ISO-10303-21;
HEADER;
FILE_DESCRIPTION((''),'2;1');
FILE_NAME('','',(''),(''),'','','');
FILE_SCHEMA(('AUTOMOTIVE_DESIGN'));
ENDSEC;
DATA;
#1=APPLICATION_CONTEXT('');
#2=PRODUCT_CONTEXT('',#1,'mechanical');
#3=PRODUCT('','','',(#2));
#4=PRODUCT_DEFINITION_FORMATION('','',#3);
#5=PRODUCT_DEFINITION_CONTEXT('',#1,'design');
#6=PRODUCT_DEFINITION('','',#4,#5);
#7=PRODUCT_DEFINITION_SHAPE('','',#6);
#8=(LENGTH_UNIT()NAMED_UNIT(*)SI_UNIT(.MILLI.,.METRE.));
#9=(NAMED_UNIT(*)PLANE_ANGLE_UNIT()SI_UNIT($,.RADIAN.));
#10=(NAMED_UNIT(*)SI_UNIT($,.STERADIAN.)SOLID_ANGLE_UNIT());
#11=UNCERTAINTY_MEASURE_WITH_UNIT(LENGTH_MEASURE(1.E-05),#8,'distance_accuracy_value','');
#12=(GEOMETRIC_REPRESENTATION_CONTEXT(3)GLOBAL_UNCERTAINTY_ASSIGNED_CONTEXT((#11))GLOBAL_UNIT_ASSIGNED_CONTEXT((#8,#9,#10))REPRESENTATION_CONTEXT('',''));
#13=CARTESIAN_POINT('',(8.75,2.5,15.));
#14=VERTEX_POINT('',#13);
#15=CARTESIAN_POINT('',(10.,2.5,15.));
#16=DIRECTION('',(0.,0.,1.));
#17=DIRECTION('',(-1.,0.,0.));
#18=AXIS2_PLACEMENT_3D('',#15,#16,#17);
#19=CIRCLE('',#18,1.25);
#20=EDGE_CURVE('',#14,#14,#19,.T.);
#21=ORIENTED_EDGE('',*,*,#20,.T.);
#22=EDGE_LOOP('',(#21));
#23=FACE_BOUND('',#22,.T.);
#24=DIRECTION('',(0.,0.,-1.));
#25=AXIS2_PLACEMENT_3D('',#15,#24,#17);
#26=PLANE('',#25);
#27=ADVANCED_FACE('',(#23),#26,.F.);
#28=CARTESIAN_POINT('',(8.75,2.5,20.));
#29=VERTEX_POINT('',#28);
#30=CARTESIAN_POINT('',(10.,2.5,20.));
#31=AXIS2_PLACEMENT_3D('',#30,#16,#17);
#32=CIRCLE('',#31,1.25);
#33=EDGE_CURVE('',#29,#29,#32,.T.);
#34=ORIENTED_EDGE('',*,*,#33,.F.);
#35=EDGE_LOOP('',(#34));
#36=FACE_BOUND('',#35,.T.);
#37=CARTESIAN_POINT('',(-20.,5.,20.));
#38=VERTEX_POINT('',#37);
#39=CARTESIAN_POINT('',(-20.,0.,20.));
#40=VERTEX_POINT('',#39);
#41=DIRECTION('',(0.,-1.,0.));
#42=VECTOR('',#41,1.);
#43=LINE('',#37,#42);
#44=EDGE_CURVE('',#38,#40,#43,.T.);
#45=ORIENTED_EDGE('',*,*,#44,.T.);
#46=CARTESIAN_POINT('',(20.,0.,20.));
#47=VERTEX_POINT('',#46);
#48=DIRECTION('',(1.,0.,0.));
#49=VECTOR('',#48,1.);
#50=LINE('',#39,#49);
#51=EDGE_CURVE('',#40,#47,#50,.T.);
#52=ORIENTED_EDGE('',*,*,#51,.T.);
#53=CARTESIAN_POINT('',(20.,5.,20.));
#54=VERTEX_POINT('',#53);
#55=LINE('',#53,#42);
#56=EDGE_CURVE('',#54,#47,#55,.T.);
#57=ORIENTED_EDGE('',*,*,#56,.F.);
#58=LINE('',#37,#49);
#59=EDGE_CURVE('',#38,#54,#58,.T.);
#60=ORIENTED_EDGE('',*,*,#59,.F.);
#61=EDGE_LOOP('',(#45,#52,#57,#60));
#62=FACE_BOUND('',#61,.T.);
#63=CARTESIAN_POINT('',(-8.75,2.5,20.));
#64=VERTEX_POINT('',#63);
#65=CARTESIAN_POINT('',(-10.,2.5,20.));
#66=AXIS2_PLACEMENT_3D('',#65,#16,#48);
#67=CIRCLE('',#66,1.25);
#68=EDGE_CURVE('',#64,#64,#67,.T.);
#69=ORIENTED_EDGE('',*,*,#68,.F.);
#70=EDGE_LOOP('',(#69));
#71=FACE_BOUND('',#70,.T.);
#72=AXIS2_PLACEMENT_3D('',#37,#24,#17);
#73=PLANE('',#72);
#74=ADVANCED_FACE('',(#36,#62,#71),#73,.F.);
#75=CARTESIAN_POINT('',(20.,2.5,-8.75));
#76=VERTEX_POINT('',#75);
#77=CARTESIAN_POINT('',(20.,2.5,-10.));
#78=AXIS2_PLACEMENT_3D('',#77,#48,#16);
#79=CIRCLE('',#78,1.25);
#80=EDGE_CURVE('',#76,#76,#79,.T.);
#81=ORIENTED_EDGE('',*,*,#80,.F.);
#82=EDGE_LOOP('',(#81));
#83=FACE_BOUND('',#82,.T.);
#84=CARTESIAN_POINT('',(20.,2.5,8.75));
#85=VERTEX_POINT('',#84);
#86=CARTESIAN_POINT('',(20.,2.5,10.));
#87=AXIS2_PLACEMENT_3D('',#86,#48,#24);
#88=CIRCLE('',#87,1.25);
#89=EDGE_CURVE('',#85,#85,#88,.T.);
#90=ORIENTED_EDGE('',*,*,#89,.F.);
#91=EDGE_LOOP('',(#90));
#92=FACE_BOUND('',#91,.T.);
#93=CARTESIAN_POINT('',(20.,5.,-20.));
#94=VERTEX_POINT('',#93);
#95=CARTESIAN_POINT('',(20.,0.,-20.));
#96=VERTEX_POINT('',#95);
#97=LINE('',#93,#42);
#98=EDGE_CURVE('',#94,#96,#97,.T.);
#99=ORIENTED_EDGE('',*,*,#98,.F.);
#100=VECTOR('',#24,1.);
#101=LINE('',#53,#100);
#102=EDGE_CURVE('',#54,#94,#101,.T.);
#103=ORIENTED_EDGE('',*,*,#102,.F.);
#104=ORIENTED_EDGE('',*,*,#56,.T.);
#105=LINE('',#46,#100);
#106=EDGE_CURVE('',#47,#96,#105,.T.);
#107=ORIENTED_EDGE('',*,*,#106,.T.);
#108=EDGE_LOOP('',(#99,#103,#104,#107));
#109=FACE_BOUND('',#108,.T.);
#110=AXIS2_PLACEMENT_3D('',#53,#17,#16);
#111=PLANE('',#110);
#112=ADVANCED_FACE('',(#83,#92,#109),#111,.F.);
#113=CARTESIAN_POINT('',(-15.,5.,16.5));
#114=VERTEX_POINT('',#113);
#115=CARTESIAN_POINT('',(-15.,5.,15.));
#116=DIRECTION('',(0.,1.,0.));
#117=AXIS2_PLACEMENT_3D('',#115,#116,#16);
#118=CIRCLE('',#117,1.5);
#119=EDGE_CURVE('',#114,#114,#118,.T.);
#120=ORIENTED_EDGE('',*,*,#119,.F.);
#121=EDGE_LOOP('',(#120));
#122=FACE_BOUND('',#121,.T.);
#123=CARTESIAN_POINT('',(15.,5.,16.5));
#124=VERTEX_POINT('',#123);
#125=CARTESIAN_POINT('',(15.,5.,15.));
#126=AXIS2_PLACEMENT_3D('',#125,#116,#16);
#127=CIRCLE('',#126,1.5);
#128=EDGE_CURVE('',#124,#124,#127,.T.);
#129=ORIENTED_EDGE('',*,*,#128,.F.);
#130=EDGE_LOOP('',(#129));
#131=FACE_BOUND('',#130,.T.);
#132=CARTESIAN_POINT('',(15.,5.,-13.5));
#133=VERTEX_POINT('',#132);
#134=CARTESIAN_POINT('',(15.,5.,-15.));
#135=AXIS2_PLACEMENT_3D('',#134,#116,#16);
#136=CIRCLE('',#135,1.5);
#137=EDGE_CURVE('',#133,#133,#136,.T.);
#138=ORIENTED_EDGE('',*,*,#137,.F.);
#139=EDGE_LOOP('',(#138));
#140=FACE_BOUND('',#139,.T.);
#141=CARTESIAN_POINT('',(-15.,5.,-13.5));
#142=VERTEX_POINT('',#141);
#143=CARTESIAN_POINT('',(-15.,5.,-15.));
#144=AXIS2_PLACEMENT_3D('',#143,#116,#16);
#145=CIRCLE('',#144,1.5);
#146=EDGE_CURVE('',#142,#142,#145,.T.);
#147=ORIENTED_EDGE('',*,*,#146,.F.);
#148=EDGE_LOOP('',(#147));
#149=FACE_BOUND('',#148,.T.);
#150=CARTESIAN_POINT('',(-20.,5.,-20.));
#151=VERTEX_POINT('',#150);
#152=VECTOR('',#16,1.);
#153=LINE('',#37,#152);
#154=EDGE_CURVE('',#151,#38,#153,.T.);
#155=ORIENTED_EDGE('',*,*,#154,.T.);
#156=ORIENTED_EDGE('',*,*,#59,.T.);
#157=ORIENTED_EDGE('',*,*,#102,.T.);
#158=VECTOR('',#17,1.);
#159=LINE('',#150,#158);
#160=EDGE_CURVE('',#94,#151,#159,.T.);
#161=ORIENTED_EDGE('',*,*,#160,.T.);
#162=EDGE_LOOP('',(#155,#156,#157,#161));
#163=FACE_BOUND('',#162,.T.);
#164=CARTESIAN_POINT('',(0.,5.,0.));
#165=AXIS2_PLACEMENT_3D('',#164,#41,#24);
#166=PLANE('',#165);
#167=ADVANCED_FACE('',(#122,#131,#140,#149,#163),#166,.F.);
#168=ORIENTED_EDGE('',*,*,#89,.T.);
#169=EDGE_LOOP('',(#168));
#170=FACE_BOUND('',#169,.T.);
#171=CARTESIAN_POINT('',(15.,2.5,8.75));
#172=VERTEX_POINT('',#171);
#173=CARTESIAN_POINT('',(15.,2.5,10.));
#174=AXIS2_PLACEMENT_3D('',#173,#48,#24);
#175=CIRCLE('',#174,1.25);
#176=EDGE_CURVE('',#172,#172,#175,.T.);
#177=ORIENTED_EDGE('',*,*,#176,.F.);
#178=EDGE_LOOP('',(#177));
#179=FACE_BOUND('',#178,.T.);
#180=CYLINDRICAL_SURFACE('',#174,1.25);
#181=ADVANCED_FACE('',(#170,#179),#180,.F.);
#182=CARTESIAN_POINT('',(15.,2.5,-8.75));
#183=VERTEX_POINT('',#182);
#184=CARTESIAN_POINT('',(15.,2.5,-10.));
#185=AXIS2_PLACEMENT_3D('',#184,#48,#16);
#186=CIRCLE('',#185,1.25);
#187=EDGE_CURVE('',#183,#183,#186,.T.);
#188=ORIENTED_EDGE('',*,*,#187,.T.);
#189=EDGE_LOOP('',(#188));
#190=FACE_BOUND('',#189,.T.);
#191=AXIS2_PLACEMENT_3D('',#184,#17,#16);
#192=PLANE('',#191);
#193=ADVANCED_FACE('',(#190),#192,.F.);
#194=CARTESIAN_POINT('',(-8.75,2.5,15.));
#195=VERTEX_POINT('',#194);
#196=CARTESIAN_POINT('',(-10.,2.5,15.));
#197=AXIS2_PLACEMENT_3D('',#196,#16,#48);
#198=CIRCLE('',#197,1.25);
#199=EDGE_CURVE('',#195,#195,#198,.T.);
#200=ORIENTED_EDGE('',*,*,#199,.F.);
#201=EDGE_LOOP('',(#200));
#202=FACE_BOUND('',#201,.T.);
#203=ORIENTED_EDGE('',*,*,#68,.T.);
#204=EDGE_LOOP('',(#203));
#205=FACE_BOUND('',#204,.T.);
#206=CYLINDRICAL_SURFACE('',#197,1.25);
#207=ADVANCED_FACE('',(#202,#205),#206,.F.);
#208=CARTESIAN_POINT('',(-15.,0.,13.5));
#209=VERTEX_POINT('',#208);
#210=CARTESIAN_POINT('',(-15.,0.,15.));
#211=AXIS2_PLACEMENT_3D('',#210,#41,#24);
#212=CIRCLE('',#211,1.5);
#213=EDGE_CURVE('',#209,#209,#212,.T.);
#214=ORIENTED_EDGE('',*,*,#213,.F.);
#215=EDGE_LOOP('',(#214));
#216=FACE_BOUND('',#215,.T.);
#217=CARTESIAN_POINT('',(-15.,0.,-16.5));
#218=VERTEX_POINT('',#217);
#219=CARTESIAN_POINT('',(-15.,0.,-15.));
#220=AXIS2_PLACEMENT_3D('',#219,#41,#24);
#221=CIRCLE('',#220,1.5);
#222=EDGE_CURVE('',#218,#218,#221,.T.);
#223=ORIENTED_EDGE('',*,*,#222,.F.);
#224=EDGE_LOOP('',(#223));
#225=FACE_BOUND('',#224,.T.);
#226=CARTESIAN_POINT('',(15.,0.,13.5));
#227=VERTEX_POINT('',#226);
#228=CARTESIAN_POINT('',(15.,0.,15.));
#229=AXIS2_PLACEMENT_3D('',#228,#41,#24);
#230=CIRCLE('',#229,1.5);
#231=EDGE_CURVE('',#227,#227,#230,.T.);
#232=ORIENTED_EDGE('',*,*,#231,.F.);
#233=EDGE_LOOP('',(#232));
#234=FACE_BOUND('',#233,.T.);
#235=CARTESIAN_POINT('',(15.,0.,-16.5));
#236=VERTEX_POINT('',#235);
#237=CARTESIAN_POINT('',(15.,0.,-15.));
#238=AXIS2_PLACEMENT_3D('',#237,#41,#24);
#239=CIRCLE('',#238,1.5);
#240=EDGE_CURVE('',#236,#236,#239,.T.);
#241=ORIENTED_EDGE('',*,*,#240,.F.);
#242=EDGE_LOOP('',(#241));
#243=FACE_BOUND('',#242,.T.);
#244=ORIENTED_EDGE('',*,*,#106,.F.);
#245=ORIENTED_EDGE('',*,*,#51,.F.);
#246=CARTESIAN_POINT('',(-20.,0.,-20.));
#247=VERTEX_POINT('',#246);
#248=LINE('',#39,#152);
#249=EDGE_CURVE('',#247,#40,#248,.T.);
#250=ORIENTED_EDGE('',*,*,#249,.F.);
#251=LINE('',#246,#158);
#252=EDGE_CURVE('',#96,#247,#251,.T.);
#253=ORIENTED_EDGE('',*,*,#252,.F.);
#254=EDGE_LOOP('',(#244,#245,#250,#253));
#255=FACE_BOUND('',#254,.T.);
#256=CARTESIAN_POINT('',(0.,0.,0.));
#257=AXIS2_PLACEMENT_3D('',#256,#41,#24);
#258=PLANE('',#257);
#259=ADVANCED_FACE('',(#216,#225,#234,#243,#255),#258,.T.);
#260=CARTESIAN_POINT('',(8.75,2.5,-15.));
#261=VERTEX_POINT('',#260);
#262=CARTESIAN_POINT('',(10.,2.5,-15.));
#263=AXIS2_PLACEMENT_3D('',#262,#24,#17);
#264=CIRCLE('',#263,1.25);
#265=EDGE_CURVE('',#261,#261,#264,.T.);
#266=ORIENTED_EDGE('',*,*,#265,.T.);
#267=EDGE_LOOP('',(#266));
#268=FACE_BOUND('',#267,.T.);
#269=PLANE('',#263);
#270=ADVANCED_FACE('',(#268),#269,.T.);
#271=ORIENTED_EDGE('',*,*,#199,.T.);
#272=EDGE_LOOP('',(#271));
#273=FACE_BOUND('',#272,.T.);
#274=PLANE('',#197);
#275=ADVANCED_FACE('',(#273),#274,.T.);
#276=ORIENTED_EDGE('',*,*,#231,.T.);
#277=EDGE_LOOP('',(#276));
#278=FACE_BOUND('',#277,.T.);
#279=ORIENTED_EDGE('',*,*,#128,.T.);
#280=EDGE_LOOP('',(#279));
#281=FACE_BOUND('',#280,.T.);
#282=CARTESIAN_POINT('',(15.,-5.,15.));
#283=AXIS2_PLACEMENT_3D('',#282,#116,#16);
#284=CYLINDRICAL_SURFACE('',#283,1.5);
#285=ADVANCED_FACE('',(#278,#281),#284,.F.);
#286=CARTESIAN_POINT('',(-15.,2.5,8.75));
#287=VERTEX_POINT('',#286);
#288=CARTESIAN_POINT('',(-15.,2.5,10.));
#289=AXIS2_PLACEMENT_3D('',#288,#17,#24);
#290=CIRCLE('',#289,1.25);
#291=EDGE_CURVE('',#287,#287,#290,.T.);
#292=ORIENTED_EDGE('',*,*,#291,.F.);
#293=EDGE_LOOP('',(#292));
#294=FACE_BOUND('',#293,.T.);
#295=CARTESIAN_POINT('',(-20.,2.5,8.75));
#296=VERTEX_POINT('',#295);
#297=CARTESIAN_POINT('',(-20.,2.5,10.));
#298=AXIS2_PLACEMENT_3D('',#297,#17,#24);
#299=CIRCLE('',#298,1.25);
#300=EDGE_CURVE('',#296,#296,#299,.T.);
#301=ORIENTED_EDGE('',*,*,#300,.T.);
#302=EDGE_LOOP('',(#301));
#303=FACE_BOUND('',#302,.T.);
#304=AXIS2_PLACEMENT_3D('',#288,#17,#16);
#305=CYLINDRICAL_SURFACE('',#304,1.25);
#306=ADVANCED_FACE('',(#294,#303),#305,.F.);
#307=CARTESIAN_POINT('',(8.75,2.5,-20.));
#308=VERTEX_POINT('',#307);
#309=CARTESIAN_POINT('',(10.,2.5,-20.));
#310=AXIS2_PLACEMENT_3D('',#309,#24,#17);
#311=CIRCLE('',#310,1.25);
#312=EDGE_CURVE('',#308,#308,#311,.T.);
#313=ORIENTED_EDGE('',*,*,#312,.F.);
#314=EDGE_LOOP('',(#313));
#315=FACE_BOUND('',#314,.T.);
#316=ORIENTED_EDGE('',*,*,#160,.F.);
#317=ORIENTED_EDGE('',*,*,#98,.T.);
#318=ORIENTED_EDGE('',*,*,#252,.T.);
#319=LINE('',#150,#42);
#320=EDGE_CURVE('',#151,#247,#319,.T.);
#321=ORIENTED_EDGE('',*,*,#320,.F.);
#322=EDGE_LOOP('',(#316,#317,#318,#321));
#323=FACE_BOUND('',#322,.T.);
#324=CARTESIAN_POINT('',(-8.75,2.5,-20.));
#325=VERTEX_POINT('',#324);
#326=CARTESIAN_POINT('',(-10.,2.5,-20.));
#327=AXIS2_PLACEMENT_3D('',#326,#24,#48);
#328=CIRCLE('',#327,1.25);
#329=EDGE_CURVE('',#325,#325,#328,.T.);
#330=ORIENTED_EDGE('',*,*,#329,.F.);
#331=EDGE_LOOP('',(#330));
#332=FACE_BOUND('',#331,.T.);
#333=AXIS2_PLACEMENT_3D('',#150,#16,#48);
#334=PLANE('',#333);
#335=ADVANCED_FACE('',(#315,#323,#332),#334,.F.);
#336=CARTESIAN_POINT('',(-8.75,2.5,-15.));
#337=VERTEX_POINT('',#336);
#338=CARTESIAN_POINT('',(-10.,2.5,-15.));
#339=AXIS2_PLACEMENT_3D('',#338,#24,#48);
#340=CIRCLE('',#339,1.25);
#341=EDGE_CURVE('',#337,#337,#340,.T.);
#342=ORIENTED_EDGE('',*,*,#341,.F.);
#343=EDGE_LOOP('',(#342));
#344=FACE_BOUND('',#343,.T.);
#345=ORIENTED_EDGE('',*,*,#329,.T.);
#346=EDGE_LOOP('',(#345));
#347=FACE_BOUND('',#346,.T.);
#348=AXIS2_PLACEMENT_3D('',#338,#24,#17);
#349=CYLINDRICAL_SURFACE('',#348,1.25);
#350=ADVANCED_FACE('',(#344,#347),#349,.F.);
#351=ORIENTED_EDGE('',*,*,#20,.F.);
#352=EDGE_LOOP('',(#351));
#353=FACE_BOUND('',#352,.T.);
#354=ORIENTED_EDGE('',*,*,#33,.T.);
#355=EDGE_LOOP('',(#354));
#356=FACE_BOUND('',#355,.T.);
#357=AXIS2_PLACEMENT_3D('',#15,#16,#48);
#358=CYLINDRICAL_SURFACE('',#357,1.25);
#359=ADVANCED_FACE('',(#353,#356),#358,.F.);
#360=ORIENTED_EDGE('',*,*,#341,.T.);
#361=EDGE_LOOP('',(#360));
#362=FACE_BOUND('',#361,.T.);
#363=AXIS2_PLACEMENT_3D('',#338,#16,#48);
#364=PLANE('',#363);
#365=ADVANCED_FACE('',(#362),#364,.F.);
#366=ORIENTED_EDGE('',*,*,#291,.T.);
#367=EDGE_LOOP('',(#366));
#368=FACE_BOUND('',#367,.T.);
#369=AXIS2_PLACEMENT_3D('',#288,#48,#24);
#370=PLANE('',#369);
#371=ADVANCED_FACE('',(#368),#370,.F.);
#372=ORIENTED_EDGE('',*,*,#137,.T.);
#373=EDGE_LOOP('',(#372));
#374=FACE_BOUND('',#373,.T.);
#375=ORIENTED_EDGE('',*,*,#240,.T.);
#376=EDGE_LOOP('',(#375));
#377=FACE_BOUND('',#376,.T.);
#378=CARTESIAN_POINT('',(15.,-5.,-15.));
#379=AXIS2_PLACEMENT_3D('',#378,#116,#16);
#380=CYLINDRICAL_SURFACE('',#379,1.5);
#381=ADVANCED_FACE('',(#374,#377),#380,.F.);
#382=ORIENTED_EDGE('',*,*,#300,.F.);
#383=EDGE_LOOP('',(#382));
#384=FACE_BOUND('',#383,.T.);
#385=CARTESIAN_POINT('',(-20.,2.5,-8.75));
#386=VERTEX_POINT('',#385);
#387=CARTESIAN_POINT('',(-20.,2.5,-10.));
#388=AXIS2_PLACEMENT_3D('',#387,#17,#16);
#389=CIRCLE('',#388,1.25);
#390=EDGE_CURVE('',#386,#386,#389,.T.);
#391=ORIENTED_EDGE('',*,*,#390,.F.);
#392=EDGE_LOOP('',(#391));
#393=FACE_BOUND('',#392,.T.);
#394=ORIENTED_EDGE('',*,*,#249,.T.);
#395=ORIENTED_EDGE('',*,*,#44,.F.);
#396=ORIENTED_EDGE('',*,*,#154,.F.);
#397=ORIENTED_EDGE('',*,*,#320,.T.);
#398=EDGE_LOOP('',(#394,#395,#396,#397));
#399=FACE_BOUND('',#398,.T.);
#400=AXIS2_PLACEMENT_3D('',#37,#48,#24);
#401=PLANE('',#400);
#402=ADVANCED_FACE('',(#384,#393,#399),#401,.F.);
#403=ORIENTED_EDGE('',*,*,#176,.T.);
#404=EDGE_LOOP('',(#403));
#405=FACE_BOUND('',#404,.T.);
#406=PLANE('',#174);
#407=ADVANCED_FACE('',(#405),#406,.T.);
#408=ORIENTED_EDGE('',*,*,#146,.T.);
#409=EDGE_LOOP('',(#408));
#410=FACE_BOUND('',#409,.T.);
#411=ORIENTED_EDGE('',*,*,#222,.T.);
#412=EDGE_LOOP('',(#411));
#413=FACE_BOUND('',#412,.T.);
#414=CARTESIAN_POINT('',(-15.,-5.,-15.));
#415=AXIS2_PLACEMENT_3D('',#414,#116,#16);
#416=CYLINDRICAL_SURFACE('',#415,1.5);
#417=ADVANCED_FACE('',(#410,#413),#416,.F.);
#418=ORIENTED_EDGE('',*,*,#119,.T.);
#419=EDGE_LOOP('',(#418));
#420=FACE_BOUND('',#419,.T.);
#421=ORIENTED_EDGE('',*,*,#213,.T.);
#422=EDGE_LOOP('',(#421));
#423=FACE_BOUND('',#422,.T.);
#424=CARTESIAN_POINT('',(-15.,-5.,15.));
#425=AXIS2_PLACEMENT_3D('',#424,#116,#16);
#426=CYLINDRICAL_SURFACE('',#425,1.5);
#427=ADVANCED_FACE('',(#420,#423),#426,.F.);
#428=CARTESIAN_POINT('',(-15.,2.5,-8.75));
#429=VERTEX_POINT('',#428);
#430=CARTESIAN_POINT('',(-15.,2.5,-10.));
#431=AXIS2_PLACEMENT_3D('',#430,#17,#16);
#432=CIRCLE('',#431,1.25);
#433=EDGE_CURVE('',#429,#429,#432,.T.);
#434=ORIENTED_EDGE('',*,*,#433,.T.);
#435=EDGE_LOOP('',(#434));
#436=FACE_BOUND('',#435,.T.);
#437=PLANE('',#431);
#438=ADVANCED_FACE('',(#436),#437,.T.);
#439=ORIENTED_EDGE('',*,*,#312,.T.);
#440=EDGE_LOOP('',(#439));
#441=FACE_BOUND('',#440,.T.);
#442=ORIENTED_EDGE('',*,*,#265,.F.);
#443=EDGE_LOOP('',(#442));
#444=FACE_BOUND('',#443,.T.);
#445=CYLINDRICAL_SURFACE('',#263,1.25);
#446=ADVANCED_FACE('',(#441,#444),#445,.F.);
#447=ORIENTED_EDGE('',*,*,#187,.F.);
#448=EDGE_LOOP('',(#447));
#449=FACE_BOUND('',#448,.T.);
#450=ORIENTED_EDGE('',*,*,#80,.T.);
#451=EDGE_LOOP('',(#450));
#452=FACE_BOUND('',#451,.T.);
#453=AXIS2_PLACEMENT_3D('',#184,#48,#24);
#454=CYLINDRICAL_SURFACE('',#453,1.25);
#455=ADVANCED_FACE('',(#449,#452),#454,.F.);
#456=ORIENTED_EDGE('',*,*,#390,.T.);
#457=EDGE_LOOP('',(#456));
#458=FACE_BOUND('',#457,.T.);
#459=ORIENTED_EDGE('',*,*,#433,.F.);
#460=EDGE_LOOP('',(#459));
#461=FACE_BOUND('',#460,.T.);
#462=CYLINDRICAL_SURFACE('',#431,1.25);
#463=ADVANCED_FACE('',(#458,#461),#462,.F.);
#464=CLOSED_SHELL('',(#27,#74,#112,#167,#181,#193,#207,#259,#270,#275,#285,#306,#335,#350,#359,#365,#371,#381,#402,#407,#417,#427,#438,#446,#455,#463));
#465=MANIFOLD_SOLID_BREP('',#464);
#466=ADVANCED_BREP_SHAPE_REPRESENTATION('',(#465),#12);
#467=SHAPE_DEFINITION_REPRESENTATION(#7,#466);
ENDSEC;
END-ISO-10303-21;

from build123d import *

# Parameters (mm, degrees)
SKETCH1_W           = 40
SKETCH1_H           = 40
BOSS_EXTRUDE1_DEPTH = 5
SKETCH2_R           = 1.25
CUT_EXTRUDE1_DEPTH  = 5
CIRPATTERN1_COUNT   = 4
SKETCH3_R           = 1.5
CUT_EXTRUDE3_DEPTH  = 10


with BuildPart() as part:
    # Sketch1 → Boss-Extrude1 (new body)
    with BuildSketch(Plane(origin=(0, 0, 0), x_dir=(1, 0, 0), z_dir=(0, 1, 0))):
        Rectangle(SKETCH1_W, SKETCH1_H)
    extrude(amount=BOSS_EXTRUDE1_DEPTH)

    # Sketch2 → Cut-Extrude1 (cut)
    with BuildSketch(Plane.XY.offset(20)):
        with Locations((-10, 2.5)):
            Circle(SKETCH2_R)
        with Locations(Location((10, 2.5, 0), (0, 0, 180))):
            Circle(SKETCH2_R)
    cut_extrude1 = extrude(amount=-CUT_EXTRUDE1_DEPTH, mode=Mode.SUBTRACT)

    # CirPattern1: Cut-Extrude1 ×4 about axis
    cirpattern1_axis = Axis((0, 0, 0), (0, 1, 0))
    for i in range(1, CIRPATTERN1_COUNT):
        add(cut_extrude1.rotate(cirpattern1_axis, i * 360 / CIRPATTERN1_COUNT), mode=Mode.SUBTRACT)

    # Sketch3 → Cut-Extrude3 (cut)
    with BuildSketch(Plane(origin=(0, 5, 0), x_dir=(1, 0, 0), z_dir=(0, 1, 0))):
        with Locations(Location((-15, 15, 0), (0, 0, 270))):
            Circle(SKETCH3_R)
        with Locations(Location((15, 15, 0), (0, 0, 270))):
            Circle(SKETCH3_R)
        with Locations(Location((15, -15, 0), (0, 0, 270))):
            Circle(SKETCH3_R)
        with Locations(Location((-15, -15, 0), (0, 0, 270))):
            Circle(SKETCH3_R)
    extrude(amount=-CUT_EXTRUDE3_DEPTH, mode=Mode.SUBTRACT)


solid = part.part
